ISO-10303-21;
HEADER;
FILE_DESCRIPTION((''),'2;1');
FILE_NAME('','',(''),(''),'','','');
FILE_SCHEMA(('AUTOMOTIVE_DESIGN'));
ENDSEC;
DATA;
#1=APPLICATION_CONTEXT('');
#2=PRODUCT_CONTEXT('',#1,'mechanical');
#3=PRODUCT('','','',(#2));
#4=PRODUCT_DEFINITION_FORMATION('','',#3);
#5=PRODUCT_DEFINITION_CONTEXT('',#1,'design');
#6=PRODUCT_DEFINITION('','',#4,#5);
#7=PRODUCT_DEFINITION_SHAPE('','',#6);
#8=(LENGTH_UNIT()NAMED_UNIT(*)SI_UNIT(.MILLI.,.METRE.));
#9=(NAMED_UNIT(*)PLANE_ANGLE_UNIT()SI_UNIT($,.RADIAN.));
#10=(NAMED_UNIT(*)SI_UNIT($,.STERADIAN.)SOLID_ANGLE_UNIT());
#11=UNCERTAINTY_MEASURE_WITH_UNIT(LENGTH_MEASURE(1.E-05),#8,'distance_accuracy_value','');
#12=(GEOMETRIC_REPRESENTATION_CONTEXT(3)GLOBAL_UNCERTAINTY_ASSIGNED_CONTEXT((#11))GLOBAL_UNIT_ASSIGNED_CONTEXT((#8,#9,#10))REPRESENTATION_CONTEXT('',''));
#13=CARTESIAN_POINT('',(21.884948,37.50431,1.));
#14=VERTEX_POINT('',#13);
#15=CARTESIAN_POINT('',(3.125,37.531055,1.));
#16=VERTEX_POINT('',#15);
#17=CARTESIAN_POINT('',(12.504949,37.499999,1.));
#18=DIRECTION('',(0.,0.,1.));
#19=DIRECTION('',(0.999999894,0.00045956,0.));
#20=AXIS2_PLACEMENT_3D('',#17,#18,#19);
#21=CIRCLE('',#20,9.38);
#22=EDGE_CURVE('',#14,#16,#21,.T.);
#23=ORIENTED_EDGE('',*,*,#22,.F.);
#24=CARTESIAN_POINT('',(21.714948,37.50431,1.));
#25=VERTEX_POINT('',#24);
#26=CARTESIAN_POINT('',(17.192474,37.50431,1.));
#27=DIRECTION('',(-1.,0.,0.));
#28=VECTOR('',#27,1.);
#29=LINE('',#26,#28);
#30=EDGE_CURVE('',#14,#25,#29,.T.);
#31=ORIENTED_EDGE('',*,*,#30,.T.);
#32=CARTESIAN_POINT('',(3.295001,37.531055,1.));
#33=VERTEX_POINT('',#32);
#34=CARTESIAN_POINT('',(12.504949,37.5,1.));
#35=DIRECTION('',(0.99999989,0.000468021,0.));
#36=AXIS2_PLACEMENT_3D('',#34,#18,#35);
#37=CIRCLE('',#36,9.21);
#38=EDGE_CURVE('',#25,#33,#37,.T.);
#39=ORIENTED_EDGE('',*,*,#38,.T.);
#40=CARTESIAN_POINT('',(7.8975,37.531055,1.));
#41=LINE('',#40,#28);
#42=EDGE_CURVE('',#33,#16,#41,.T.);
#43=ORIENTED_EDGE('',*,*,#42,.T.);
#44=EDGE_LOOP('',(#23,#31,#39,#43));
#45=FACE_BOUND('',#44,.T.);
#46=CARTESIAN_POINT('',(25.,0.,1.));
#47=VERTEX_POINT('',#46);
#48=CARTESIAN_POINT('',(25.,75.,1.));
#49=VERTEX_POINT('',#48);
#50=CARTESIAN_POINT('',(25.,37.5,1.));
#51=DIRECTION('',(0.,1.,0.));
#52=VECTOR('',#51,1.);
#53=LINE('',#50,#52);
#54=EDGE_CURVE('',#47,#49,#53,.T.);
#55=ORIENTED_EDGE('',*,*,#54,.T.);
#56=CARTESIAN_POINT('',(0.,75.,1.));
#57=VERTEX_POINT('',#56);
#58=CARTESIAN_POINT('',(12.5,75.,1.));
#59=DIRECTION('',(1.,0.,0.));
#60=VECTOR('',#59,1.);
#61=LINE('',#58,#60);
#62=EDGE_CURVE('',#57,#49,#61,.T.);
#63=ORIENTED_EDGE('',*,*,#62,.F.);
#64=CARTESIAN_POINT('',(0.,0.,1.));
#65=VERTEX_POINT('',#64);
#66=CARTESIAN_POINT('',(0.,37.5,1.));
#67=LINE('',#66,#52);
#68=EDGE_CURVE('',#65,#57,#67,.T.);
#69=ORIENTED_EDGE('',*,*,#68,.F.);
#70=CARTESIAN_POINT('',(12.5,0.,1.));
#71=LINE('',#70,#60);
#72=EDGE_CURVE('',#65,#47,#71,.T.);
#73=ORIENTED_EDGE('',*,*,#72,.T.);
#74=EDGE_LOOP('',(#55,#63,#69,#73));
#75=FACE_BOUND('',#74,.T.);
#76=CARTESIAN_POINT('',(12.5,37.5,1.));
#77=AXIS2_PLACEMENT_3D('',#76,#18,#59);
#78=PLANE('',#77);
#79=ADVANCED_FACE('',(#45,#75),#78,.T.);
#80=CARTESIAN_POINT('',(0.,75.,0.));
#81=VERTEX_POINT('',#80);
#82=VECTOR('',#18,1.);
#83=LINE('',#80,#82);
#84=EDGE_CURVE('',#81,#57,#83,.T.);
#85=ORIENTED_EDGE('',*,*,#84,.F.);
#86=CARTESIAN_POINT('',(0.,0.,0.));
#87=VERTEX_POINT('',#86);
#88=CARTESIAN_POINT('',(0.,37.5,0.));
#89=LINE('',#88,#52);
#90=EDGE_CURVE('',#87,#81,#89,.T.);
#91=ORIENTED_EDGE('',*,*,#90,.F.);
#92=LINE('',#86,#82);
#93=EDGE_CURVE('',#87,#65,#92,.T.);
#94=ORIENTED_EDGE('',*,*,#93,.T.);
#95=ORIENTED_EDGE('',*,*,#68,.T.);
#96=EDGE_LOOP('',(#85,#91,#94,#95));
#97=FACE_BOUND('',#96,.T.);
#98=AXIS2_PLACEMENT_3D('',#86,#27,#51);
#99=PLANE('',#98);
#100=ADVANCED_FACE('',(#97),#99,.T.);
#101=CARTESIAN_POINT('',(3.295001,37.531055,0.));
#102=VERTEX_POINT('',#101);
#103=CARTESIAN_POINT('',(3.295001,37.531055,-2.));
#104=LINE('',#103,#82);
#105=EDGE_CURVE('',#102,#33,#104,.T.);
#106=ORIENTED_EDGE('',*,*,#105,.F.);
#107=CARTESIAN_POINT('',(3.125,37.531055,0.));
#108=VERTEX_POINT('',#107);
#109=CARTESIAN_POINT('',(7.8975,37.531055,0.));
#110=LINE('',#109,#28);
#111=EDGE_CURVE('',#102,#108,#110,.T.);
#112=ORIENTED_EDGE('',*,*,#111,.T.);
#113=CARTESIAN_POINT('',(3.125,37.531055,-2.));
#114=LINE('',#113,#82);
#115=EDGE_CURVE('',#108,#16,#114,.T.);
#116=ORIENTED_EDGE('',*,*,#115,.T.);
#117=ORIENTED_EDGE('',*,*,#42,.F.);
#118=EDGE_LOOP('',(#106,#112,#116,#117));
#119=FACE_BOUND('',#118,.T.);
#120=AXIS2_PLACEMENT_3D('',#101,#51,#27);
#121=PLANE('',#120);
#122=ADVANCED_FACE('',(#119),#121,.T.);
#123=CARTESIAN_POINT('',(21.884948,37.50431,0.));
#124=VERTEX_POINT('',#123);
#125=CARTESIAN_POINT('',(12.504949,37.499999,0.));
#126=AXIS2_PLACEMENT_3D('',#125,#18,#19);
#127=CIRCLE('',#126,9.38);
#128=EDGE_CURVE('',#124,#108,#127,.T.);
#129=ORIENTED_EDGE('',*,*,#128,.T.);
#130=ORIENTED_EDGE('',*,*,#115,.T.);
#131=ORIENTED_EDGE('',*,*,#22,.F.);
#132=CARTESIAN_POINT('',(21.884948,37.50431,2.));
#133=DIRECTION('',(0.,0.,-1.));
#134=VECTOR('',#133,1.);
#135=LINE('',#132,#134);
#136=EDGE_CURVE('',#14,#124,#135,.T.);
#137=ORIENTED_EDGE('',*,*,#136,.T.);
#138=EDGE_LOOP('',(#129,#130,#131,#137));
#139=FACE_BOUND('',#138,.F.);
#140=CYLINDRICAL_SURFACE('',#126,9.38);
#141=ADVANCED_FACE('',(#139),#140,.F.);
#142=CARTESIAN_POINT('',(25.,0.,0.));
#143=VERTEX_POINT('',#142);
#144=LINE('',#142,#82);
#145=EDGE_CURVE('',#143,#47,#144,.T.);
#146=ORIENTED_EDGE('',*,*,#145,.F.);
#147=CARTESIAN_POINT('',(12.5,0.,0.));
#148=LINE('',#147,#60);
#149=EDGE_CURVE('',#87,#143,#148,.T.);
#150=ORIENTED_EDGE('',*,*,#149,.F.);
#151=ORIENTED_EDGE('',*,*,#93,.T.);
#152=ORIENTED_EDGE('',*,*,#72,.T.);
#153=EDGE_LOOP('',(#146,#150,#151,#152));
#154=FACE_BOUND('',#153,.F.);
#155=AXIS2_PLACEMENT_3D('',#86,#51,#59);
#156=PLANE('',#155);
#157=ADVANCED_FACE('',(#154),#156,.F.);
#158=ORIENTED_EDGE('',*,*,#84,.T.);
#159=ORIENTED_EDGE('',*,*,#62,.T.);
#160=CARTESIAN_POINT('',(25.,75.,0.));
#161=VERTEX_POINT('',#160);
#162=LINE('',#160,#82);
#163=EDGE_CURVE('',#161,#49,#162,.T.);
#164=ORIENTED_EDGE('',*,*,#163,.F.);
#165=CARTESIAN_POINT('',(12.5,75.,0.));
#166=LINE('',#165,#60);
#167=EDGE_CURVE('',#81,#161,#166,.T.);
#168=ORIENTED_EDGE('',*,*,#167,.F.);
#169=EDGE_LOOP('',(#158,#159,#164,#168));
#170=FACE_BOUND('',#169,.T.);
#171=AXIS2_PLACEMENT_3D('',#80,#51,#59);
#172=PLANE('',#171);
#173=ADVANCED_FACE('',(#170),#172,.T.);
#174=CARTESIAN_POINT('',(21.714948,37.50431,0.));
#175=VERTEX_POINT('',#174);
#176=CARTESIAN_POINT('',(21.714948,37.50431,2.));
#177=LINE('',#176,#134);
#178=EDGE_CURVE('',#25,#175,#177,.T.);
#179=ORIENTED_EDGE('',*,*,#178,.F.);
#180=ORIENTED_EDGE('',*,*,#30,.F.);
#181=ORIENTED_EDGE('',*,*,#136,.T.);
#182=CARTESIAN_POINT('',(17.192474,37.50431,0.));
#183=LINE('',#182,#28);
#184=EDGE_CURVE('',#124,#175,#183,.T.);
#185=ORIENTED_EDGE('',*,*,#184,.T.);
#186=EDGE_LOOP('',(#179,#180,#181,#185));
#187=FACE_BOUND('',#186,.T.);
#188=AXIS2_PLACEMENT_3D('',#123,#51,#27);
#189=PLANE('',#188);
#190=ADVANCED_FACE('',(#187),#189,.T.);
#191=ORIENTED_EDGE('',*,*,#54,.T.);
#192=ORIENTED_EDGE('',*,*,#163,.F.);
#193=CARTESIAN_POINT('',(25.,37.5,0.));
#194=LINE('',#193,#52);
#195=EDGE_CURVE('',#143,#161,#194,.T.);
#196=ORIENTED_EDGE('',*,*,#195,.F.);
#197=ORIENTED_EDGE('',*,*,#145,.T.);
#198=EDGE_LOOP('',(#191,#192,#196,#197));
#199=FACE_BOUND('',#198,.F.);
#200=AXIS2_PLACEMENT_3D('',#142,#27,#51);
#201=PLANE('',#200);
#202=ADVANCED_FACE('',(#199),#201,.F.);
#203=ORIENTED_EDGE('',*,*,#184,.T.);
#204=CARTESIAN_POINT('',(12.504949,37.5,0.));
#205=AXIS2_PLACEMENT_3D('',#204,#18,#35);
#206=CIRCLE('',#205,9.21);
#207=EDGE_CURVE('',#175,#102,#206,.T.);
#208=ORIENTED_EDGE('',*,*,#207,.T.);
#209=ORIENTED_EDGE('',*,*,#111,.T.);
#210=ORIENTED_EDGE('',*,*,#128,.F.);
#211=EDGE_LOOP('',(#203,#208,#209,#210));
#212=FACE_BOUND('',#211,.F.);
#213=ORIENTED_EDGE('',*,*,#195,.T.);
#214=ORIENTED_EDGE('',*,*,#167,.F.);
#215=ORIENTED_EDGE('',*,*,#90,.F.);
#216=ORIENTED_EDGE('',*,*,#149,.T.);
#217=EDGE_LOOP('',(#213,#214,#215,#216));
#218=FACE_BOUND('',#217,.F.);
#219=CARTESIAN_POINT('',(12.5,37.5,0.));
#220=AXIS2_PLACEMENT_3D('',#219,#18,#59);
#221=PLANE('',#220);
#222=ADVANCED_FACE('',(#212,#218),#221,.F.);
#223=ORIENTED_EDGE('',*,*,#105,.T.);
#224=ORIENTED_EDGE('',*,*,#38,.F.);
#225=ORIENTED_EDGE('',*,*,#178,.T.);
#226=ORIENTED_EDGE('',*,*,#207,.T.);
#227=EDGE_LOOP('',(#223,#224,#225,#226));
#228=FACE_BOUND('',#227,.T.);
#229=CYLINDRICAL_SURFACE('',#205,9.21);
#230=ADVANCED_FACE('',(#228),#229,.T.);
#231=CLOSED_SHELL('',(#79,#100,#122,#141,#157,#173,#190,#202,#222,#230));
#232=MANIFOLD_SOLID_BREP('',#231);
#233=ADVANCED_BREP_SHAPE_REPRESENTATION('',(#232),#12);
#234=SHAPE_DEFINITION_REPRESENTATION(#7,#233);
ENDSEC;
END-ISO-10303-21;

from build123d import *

# Parameters (mm, degrees)
PAD005_DEPTH      = 2
PAD005_DEPTH_BACK = 2
SKETCH021_W       = 25
SKETCH021_H       = 75
PAD020_DEPTH      = 1


with BuildPart() as body005:
    # Sketch006 → Pad005 (new body, two sides)
    with BuildSketch(Plane.XY) as pad005_sk:
        with BuildLine():
            ThreePointArc((21.884948, 37.50431), (12.518321, 46.87999), (3.125, 37.531055))
            Line((3.295001, 37.531055), (3.125, 37.531055))
            ThreePointArc((21.714948, 37.50431), (12.518321, 46.70999), (3.295001, 37.531055))
            Line((21.884948, 37.50431), (21.714948, 37.50431))
        make_face()
    extrude(amount=PAD005_DEPTH)
    extrude(pad005_sk.sketch, amount=-PAD005_DEPTH_BACK)


with BuildPart() as body019:
    # Sketch021 → Pad020 (new body)
    with BuildSketch(Plane.XY):
        with Locations((12.5, 37.5)):
            Rectangle(SKETCH021_W, SKETCH021_H)
    extrude(amount=PAD020_DEPTH)

    # Boolean004: cut Body005
    add(body005.part, mode=Mode.SUBTRACT)


solid = body019.part
